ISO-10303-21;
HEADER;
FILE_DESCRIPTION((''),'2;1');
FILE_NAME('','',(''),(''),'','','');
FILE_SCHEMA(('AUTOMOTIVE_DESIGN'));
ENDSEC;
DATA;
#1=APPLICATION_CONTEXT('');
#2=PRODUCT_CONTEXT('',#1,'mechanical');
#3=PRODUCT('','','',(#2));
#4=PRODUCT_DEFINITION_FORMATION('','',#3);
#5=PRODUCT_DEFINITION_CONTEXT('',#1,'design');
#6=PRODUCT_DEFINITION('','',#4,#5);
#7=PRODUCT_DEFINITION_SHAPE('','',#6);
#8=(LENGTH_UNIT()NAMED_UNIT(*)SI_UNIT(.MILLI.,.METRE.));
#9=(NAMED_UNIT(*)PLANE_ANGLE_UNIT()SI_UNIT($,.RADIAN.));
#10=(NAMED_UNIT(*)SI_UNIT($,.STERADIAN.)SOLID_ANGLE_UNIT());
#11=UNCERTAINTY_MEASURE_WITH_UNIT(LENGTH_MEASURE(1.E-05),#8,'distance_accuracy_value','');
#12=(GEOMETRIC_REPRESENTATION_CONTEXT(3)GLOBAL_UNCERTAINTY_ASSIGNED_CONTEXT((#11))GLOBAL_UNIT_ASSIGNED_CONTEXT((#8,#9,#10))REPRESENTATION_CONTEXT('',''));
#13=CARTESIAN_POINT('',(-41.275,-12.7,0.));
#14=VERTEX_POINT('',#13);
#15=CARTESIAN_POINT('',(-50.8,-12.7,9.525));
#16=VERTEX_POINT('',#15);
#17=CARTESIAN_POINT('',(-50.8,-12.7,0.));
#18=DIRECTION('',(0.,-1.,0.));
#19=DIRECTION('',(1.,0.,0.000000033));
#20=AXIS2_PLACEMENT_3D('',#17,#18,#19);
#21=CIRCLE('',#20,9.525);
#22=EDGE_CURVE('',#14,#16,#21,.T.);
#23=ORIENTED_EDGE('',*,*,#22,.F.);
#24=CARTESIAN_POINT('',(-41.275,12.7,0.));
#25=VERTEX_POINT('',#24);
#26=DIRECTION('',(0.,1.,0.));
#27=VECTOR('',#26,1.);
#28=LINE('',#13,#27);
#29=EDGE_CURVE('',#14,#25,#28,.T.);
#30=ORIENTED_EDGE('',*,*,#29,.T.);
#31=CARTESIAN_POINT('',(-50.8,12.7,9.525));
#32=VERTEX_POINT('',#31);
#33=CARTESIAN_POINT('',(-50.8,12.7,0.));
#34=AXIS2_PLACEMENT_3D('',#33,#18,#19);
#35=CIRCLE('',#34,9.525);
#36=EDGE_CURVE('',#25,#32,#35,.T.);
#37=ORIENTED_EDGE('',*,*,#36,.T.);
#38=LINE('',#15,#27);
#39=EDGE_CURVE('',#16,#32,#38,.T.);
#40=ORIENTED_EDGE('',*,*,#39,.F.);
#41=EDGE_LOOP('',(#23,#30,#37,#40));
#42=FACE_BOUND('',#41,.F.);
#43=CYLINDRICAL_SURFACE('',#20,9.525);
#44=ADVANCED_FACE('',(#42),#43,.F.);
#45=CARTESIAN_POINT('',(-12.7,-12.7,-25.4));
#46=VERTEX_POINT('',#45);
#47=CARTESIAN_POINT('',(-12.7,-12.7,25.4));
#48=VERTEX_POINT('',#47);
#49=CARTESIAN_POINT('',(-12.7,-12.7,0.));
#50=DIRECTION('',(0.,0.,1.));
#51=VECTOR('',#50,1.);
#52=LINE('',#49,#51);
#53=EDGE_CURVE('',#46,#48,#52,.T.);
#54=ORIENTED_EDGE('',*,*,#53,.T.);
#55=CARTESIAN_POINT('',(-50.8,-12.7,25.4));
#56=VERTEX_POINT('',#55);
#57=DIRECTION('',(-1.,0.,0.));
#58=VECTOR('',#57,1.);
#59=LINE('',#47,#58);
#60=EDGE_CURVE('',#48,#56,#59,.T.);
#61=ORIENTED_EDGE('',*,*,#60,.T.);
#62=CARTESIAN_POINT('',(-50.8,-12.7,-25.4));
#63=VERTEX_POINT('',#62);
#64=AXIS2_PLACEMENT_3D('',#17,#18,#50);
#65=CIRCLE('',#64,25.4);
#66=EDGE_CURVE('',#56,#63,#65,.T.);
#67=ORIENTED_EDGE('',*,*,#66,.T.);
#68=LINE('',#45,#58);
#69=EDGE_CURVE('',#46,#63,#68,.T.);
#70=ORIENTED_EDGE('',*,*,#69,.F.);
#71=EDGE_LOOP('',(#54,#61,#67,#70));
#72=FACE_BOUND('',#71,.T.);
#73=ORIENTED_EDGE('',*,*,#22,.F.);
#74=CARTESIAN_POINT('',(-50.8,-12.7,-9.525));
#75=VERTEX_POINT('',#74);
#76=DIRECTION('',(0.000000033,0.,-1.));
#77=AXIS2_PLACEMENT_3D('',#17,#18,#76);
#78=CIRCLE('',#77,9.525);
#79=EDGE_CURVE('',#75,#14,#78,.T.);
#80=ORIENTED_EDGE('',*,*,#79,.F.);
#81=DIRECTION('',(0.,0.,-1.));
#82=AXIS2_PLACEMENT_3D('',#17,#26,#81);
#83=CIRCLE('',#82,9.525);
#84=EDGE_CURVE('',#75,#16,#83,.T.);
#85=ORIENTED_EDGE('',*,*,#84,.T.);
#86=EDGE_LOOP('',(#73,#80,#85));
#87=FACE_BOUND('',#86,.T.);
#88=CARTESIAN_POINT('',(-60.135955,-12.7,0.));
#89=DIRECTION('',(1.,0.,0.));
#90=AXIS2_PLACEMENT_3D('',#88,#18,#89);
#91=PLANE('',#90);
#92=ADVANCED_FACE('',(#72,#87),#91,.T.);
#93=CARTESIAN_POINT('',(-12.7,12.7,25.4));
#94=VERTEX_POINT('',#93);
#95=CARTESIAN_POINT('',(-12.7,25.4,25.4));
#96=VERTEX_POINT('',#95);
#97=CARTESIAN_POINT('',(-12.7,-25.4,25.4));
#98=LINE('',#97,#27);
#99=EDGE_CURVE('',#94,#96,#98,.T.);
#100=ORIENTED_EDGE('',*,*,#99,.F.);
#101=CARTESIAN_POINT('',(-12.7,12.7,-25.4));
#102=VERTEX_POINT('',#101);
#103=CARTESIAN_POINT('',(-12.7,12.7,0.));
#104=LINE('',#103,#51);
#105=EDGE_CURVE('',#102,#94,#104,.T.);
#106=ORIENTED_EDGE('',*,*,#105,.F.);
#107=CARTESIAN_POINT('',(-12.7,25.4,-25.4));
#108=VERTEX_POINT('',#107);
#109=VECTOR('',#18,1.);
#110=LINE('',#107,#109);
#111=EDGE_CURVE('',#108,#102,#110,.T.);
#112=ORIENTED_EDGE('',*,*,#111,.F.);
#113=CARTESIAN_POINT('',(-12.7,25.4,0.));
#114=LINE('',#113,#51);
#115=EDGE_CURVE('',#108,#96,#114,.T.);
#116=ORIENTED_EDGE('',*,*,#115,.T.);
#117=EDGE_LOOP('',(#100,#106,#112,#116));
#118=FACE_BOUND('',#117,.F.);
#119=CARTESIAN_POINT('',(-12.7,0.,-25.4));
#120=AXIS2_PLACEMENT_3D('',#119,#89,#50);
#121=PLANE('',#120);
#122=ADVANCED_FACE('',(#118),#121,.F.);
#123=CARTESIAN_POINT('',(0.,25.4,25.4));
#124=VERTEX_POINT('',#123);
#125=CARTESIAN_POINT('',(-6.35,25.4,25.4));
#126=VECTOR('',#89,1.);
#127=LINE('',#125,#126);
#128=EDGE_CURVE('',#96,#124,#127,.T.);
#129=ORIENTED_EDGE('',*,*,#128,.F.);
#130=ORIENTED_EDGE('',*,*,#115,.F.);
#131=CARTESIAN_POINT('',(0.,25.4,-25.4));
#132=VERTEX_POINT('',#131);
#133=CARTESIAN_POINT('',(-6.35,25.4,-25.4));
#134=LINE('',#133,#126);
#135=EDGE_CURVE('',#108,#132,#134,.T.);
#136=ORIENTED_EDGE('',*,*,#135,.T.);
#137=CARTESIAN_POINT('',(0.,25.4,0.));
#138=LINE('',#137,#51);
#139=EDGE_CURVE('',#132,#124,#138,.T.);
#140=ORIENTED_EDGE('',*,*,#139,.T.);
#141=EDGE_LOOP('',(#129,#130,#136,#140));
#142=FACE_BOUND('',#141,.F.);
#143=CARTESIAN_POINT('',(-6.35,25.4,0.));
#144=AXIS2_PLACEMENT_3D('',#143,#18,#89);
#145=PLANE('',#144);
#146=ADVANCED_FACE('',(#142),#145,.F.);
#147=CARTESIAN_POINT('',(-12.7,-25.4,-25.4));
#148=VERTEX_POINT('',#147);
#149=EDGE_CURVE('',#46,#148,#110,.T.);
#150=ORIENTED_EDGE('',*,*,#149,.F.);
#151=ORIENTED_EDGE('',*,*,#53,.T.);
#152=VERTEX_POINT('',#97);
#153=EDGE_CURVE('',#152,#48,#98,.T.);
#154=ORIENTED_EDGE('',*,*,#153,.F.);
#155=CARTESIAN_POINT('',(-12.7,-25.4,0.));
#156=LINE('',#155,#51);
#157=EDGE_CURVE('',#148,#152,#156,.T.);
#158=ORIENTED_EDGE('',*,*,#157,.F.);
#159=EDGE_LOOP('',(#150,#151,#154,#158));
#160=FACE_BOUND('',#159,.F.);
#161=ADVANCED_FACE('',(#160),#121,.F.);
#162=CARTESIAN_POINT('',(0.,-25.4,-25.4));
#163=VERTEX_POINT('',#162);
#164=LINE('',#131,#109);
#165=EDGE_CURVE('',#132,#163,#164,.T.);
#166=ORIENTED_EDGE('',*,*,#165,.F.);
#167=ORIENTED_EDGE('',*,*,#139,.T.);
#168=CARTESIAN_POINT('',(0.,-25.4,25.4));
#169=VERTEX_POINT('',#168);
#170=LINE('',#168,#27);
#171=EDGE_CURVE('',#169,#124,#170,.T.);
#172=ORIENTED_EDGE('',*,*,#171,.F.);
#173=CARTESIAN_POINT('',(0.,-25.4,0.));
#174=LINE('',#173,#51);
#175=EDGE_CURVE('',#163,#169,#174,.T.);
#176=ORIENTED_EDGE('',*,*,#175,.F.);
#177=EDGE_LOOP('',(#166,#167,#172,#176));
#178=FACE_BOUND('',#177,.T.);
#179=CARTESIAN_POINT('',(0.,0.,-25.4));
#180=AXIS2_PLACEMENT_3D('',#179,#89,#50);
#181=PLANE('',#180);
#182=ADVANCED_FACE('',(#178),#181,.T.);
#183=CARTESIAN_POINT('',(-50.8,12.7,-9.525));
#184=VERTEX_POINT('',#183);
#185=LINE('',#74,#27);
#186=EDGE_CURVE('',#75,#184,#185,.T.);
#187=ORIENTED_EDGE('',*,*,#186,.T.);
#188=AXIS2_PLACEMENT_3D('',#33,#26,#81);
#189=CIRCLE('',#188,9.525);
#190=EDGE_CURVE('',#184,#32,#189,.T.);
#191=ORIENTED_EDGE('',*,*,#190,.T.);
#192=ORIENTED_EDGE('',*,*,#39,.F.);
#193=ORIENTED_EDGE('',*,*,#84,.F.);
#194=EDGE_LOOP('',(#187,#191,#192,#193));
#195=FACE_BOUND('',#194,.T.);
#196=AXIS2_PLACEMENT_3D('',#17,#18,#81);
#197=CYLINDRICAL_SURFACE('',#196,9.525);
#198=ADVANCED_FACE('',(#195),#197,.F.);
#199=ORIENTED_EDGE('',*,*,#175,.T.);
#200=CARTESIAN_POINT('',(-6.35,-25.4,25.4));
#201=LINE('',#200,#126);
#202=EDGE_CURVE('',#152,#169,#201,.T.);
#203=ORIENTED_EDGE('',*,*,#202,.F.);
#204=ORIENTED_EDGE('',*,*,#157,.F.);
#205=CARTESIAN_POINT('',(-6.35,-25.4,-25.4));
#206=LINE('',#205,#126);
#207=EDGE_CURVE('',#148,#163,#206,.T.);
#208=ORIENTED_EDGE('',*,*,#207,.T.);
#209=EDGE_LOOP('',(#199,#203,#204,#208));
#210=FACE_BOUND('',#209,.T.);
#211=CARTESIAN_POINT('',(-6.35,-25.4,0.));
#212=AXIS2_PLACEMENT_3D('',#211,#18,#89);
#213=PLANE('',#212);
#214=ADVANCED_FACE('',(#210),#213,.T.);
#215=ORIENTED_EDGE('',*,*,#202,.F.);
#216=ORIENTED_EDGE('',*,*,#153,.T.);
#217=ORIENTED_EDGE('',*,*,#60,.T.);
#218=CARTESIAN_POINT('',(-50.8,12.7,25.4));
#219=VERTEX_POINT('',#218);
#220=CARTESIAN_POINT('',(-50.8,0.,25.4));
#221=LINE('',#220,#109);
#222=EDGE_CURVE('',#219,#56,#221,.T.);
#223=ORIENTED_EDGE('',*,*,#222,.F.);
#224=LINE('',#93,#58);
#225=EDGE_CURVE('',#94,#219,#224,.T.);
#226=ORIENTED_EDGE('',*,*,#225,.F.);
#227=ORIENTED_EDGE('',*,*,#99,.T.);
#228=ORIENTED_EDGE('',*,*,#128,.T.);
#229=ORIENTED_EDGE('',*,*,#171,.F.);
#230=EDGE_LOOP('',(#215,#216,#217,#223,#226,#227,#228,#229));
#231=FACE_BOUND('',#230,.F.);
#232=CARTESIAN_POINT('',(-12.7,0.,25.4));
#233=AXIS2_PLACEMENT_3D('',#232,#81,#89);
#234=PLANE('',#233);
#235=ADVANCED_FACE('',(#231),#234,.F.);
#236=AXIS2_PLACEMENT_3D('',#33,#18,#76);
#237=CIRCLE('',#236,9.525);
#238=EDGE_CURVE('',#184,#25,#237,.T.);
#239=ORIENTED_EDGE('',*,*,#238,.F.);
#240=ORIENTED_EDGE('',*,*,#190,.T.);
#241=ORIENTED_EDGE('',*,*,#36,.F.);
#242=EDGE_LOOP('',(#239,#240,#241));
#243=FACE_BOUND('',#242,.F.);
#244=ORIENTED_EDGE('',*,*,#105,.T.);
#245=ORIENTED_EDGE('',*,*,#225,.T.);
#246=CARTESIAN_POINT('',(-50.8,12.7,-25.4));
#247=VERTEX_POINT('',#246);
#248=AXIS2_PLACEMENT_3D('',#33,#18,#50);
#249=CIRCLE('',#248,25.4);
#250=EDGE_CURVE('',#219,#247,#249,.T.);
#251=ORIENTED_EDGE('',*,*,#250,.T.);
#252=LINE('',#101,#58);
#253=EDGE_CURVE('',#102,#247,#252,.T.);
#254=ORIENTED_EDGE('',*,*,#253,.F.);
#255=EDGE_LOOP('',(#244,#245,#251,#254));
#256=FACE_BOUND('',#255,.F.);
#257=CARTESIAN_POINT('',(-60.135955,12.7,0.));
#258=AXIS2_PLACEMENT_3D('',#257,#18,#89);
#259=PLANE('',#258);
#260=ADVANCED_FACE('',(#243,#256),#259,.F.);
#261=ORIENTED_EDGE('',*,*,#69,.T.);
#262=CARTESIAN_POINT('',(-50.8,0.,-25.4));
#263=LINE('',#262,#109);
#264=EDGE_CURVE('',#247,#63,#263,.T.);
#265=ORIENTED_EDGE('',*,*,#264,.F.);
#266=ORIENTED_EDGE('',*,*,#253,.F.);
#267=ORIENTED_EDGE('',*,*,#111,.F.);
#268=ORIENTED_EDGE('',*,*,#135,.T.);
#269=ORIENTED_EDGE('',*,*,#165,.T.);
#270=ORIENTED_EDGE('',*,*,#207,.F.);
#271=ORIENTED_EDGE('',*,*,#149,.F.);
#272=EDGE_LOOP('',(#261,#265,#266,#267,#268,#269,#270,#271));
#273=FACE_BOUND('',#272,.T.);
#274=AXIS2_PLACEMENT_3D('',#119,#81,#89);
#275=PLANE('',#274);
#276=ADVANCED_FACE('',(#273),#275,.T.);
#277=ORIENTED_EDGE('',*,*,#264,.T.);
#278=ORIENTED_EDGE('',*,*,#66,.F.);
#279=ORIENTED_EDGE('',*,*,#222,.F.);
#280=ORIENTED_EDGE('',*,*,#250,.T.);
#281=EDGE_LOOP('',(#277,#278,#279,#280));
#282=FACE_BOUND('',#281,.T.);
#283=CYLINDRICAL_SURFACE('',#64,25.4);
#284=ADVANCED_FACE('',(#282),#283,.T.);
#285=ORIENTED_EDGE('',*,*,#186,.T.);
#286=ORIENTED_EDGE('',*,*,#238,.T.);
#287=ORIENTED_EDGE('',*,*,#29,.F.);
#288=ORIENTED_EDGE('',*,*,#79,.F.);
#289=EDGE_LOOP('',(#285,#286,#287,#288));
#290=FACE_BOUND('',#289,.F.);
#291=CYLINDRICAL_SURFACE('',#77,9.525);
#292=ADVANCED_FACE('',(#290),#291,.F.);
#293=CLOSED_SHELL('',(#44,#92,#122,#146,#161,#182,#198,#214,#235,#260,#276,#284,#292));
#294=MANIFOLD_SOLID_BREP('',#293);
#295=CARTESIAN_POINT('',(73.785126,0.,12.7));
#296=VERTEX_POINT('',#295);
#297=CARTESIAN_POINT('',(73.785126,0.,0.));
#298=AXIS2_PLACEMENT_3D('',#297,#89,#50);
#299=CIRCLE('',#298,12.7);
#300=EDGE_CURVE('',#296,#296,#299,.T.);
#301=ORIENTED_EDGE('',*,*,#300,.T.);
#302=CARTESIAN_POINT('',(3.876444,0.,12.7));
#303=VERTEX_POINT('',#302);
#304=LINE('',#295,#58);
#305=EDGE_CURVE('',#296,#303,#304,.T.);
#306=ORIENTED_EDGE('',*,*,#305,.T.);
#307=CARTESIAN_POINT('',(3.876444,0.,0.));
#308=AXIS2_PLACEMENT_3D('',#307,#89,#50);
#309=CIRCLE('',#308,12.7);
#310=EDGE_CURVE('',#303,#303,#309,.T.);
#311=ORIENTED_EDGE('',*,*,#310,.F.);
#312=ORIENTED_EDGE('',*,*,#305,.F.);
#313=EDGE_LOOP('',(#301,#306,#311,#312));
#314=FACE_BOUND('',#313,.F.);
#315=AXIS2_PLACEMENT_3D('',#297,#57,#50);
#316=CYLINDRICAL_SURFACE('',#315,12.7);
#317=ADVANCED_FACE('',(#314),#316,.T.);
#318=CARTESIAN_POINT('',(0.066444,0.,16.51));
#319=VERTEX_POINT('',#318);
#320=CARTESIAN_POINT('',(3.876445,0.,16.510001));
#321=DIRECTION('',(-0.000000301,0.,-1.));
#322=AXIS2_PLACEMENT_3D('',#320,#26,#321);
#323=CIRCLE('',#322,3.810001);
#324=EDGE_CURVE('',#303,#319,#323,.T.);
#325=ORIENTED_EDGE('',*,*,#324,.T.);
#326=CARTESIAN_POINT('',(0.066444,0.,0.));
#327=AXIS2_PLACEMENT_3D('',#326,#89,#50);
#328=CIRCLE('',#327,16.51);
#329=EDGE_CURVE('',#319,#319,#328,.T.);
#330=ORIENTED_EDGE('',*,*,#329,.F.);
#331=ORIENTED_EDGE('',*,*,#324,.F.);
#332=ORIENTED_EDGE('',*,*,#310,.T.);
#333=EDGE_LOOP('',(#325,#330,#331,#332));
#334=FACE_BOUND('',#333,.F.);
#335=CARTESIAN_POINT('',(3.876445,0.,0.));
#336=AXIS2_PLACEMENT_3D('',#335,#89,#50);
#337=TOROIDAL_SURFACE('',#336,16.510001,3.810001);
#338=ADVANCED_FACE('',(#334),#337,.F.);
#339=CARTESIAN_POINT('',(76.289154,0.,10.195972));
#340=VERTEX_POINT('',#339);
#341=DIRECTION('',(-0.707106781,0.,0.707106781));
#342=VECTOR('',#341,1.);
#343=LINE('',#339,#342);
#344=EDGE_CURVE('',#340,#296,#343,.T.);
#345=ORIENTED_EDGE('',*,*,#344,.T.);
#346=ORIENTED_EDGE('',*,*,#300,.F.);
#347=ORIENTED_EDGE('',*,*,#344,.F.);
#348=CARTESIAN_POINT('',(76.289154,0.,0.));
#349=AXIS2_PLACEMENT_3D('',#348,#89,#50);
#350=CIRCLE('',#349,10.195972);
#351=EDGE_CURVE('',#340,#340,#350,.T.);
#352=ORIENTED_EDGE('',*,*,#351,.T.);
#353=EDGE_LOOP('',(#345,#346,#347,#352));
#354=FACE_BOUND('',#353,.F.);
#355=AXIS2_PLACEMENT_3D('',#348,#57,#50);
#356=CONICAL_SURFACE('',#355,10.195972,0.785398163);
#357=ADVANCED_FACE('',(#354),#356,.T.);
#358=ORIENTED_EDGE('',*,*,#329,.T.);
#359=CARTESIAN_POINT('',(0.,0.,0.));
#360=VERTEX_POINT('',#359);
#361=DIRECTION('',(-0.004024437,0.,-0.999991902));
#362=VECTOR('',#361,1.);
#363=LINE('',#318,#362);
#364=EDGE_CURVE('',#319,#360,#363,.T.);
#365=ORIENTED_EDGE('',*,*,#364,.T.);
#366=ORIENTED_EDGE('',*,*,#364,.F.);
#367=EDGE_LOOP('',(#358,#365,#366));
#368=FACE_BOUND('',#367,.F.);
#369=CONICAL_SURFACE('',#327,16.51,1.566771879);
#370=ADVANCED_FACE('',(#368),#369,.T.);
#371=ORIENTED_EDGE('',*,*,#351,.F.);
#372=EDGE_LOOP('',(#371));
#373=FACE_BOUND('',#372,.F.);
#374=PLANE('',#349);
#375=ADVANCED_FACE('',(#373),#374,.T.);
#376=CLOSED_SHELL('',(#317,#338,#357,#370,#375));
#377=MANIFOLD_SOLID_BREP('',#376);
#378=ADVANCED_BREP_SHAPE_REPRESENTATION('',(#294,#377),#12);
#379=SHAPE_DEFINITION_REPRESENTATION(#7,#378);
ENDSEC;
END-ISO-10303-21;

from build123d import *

# Parameters (mm, degrees)
F1_W     = 12.7
F1_H     = 50.8
F2_DEPTH = 25.4
F4_W     = 25.4
F4_H     = 50.8
F5_DEPTH = 38.1
F7_DEPTH = 25.4
F8_DEPTH = 25.4


with BuildPart() as f2:
    # F1 (on Front) → F2 (new body, symmetric)
    with BuildSketch(Plane.XZ):
        with Locations((-6.35, 0)):
            Rectangle(F1_W, F1_H)
    extrude(amount=F2_DEPTH, both=True)

    # F0 (on Front) → F3 (revolve)
    with BuildSketch(Plane.XZ):
        with BuildLine():
            Line((73.785126, 12.7), (3.876444, 12.7))
            ThreePointArc((3.876444, 12.7), (1.182368, 13.815923), (0.066444, 16.51))
            Line((0.066444, 16.51), (0, 0))
            Line((0, 0), (49.949444, 0))
            Line((49.949444, 0), (76.289154, 0))
            Line((76.289154, 0), (76.289154, 10.195972))
            Line((76.289154, 10.195972), (73.785126, 12.7))
        make_face()
    revolve(axis=Axis((-4.930185, 0, 0), (1, 0, 0)))

    # F4 (on face) → F5 (join)
    with BuildSketch(Plane(origin=(-12.7, 0, 0), x_dir=(0, -1, 0), z_dir=(-1, 0, 0))):
        Rectangle(F4_W, F4_H)
    extrude(amount=F5_DEPTH)

    # F6 (on face) → F7 (join)
    with BuildSketch(Plane.XZ.offset(12.7)):
        with BuildLine():
            Line((-50.8, 9.525), (-50.8, 25.4))
            ThreePointArc((-50.8, 25.4), (-76.2, 0), (-50.8, -25.4))
            Line((-50.8, -25.4), (-50.8, -9.525))
            ThreePointArc((-50.8, -9.525), (-60.325, 0), (-50.8, 9.525))
        make_face()
        with BuildLine():
            ThreePointArc((-41.275, 0), (-44.064808, 6.735192), (-50.8, 9.525))
            Line((-50.8, 9.525), (-50.8, -9.525))
            ThreePointArc((-50.8, -9.525), (-44.064808, -6.735192), (-41.275, 0))
        make_face()
    extrude(amount=-F7_DEPTH)

    # F6 (on face) → F8 (cut)
    with BuildSketch(Plane.XZ.offset(12.7)):
        with BuildLine():
            Line((-50.8, -9.525), (-50.8, 9.525))
            ThreePointArc((-50.8, 9.525), (-60.325, 0), (-50.8, -9.525))
        make_face()
        with BuildLine():
            ThreePointArc((-41.275, 0), (-44.064808, 6.735192), (-50.8, 9.525))
            Line((-50.8, 9.525), (-50.8, -9.525))
            ThreePointArc((-50.8, -9.525), (-44.064808, -6.735192), (-41.275, 0))
        make_face()
    extrude(amount=-F8_DEPTH, mode=Mode.SUBTRACT)


solid = f2.part
